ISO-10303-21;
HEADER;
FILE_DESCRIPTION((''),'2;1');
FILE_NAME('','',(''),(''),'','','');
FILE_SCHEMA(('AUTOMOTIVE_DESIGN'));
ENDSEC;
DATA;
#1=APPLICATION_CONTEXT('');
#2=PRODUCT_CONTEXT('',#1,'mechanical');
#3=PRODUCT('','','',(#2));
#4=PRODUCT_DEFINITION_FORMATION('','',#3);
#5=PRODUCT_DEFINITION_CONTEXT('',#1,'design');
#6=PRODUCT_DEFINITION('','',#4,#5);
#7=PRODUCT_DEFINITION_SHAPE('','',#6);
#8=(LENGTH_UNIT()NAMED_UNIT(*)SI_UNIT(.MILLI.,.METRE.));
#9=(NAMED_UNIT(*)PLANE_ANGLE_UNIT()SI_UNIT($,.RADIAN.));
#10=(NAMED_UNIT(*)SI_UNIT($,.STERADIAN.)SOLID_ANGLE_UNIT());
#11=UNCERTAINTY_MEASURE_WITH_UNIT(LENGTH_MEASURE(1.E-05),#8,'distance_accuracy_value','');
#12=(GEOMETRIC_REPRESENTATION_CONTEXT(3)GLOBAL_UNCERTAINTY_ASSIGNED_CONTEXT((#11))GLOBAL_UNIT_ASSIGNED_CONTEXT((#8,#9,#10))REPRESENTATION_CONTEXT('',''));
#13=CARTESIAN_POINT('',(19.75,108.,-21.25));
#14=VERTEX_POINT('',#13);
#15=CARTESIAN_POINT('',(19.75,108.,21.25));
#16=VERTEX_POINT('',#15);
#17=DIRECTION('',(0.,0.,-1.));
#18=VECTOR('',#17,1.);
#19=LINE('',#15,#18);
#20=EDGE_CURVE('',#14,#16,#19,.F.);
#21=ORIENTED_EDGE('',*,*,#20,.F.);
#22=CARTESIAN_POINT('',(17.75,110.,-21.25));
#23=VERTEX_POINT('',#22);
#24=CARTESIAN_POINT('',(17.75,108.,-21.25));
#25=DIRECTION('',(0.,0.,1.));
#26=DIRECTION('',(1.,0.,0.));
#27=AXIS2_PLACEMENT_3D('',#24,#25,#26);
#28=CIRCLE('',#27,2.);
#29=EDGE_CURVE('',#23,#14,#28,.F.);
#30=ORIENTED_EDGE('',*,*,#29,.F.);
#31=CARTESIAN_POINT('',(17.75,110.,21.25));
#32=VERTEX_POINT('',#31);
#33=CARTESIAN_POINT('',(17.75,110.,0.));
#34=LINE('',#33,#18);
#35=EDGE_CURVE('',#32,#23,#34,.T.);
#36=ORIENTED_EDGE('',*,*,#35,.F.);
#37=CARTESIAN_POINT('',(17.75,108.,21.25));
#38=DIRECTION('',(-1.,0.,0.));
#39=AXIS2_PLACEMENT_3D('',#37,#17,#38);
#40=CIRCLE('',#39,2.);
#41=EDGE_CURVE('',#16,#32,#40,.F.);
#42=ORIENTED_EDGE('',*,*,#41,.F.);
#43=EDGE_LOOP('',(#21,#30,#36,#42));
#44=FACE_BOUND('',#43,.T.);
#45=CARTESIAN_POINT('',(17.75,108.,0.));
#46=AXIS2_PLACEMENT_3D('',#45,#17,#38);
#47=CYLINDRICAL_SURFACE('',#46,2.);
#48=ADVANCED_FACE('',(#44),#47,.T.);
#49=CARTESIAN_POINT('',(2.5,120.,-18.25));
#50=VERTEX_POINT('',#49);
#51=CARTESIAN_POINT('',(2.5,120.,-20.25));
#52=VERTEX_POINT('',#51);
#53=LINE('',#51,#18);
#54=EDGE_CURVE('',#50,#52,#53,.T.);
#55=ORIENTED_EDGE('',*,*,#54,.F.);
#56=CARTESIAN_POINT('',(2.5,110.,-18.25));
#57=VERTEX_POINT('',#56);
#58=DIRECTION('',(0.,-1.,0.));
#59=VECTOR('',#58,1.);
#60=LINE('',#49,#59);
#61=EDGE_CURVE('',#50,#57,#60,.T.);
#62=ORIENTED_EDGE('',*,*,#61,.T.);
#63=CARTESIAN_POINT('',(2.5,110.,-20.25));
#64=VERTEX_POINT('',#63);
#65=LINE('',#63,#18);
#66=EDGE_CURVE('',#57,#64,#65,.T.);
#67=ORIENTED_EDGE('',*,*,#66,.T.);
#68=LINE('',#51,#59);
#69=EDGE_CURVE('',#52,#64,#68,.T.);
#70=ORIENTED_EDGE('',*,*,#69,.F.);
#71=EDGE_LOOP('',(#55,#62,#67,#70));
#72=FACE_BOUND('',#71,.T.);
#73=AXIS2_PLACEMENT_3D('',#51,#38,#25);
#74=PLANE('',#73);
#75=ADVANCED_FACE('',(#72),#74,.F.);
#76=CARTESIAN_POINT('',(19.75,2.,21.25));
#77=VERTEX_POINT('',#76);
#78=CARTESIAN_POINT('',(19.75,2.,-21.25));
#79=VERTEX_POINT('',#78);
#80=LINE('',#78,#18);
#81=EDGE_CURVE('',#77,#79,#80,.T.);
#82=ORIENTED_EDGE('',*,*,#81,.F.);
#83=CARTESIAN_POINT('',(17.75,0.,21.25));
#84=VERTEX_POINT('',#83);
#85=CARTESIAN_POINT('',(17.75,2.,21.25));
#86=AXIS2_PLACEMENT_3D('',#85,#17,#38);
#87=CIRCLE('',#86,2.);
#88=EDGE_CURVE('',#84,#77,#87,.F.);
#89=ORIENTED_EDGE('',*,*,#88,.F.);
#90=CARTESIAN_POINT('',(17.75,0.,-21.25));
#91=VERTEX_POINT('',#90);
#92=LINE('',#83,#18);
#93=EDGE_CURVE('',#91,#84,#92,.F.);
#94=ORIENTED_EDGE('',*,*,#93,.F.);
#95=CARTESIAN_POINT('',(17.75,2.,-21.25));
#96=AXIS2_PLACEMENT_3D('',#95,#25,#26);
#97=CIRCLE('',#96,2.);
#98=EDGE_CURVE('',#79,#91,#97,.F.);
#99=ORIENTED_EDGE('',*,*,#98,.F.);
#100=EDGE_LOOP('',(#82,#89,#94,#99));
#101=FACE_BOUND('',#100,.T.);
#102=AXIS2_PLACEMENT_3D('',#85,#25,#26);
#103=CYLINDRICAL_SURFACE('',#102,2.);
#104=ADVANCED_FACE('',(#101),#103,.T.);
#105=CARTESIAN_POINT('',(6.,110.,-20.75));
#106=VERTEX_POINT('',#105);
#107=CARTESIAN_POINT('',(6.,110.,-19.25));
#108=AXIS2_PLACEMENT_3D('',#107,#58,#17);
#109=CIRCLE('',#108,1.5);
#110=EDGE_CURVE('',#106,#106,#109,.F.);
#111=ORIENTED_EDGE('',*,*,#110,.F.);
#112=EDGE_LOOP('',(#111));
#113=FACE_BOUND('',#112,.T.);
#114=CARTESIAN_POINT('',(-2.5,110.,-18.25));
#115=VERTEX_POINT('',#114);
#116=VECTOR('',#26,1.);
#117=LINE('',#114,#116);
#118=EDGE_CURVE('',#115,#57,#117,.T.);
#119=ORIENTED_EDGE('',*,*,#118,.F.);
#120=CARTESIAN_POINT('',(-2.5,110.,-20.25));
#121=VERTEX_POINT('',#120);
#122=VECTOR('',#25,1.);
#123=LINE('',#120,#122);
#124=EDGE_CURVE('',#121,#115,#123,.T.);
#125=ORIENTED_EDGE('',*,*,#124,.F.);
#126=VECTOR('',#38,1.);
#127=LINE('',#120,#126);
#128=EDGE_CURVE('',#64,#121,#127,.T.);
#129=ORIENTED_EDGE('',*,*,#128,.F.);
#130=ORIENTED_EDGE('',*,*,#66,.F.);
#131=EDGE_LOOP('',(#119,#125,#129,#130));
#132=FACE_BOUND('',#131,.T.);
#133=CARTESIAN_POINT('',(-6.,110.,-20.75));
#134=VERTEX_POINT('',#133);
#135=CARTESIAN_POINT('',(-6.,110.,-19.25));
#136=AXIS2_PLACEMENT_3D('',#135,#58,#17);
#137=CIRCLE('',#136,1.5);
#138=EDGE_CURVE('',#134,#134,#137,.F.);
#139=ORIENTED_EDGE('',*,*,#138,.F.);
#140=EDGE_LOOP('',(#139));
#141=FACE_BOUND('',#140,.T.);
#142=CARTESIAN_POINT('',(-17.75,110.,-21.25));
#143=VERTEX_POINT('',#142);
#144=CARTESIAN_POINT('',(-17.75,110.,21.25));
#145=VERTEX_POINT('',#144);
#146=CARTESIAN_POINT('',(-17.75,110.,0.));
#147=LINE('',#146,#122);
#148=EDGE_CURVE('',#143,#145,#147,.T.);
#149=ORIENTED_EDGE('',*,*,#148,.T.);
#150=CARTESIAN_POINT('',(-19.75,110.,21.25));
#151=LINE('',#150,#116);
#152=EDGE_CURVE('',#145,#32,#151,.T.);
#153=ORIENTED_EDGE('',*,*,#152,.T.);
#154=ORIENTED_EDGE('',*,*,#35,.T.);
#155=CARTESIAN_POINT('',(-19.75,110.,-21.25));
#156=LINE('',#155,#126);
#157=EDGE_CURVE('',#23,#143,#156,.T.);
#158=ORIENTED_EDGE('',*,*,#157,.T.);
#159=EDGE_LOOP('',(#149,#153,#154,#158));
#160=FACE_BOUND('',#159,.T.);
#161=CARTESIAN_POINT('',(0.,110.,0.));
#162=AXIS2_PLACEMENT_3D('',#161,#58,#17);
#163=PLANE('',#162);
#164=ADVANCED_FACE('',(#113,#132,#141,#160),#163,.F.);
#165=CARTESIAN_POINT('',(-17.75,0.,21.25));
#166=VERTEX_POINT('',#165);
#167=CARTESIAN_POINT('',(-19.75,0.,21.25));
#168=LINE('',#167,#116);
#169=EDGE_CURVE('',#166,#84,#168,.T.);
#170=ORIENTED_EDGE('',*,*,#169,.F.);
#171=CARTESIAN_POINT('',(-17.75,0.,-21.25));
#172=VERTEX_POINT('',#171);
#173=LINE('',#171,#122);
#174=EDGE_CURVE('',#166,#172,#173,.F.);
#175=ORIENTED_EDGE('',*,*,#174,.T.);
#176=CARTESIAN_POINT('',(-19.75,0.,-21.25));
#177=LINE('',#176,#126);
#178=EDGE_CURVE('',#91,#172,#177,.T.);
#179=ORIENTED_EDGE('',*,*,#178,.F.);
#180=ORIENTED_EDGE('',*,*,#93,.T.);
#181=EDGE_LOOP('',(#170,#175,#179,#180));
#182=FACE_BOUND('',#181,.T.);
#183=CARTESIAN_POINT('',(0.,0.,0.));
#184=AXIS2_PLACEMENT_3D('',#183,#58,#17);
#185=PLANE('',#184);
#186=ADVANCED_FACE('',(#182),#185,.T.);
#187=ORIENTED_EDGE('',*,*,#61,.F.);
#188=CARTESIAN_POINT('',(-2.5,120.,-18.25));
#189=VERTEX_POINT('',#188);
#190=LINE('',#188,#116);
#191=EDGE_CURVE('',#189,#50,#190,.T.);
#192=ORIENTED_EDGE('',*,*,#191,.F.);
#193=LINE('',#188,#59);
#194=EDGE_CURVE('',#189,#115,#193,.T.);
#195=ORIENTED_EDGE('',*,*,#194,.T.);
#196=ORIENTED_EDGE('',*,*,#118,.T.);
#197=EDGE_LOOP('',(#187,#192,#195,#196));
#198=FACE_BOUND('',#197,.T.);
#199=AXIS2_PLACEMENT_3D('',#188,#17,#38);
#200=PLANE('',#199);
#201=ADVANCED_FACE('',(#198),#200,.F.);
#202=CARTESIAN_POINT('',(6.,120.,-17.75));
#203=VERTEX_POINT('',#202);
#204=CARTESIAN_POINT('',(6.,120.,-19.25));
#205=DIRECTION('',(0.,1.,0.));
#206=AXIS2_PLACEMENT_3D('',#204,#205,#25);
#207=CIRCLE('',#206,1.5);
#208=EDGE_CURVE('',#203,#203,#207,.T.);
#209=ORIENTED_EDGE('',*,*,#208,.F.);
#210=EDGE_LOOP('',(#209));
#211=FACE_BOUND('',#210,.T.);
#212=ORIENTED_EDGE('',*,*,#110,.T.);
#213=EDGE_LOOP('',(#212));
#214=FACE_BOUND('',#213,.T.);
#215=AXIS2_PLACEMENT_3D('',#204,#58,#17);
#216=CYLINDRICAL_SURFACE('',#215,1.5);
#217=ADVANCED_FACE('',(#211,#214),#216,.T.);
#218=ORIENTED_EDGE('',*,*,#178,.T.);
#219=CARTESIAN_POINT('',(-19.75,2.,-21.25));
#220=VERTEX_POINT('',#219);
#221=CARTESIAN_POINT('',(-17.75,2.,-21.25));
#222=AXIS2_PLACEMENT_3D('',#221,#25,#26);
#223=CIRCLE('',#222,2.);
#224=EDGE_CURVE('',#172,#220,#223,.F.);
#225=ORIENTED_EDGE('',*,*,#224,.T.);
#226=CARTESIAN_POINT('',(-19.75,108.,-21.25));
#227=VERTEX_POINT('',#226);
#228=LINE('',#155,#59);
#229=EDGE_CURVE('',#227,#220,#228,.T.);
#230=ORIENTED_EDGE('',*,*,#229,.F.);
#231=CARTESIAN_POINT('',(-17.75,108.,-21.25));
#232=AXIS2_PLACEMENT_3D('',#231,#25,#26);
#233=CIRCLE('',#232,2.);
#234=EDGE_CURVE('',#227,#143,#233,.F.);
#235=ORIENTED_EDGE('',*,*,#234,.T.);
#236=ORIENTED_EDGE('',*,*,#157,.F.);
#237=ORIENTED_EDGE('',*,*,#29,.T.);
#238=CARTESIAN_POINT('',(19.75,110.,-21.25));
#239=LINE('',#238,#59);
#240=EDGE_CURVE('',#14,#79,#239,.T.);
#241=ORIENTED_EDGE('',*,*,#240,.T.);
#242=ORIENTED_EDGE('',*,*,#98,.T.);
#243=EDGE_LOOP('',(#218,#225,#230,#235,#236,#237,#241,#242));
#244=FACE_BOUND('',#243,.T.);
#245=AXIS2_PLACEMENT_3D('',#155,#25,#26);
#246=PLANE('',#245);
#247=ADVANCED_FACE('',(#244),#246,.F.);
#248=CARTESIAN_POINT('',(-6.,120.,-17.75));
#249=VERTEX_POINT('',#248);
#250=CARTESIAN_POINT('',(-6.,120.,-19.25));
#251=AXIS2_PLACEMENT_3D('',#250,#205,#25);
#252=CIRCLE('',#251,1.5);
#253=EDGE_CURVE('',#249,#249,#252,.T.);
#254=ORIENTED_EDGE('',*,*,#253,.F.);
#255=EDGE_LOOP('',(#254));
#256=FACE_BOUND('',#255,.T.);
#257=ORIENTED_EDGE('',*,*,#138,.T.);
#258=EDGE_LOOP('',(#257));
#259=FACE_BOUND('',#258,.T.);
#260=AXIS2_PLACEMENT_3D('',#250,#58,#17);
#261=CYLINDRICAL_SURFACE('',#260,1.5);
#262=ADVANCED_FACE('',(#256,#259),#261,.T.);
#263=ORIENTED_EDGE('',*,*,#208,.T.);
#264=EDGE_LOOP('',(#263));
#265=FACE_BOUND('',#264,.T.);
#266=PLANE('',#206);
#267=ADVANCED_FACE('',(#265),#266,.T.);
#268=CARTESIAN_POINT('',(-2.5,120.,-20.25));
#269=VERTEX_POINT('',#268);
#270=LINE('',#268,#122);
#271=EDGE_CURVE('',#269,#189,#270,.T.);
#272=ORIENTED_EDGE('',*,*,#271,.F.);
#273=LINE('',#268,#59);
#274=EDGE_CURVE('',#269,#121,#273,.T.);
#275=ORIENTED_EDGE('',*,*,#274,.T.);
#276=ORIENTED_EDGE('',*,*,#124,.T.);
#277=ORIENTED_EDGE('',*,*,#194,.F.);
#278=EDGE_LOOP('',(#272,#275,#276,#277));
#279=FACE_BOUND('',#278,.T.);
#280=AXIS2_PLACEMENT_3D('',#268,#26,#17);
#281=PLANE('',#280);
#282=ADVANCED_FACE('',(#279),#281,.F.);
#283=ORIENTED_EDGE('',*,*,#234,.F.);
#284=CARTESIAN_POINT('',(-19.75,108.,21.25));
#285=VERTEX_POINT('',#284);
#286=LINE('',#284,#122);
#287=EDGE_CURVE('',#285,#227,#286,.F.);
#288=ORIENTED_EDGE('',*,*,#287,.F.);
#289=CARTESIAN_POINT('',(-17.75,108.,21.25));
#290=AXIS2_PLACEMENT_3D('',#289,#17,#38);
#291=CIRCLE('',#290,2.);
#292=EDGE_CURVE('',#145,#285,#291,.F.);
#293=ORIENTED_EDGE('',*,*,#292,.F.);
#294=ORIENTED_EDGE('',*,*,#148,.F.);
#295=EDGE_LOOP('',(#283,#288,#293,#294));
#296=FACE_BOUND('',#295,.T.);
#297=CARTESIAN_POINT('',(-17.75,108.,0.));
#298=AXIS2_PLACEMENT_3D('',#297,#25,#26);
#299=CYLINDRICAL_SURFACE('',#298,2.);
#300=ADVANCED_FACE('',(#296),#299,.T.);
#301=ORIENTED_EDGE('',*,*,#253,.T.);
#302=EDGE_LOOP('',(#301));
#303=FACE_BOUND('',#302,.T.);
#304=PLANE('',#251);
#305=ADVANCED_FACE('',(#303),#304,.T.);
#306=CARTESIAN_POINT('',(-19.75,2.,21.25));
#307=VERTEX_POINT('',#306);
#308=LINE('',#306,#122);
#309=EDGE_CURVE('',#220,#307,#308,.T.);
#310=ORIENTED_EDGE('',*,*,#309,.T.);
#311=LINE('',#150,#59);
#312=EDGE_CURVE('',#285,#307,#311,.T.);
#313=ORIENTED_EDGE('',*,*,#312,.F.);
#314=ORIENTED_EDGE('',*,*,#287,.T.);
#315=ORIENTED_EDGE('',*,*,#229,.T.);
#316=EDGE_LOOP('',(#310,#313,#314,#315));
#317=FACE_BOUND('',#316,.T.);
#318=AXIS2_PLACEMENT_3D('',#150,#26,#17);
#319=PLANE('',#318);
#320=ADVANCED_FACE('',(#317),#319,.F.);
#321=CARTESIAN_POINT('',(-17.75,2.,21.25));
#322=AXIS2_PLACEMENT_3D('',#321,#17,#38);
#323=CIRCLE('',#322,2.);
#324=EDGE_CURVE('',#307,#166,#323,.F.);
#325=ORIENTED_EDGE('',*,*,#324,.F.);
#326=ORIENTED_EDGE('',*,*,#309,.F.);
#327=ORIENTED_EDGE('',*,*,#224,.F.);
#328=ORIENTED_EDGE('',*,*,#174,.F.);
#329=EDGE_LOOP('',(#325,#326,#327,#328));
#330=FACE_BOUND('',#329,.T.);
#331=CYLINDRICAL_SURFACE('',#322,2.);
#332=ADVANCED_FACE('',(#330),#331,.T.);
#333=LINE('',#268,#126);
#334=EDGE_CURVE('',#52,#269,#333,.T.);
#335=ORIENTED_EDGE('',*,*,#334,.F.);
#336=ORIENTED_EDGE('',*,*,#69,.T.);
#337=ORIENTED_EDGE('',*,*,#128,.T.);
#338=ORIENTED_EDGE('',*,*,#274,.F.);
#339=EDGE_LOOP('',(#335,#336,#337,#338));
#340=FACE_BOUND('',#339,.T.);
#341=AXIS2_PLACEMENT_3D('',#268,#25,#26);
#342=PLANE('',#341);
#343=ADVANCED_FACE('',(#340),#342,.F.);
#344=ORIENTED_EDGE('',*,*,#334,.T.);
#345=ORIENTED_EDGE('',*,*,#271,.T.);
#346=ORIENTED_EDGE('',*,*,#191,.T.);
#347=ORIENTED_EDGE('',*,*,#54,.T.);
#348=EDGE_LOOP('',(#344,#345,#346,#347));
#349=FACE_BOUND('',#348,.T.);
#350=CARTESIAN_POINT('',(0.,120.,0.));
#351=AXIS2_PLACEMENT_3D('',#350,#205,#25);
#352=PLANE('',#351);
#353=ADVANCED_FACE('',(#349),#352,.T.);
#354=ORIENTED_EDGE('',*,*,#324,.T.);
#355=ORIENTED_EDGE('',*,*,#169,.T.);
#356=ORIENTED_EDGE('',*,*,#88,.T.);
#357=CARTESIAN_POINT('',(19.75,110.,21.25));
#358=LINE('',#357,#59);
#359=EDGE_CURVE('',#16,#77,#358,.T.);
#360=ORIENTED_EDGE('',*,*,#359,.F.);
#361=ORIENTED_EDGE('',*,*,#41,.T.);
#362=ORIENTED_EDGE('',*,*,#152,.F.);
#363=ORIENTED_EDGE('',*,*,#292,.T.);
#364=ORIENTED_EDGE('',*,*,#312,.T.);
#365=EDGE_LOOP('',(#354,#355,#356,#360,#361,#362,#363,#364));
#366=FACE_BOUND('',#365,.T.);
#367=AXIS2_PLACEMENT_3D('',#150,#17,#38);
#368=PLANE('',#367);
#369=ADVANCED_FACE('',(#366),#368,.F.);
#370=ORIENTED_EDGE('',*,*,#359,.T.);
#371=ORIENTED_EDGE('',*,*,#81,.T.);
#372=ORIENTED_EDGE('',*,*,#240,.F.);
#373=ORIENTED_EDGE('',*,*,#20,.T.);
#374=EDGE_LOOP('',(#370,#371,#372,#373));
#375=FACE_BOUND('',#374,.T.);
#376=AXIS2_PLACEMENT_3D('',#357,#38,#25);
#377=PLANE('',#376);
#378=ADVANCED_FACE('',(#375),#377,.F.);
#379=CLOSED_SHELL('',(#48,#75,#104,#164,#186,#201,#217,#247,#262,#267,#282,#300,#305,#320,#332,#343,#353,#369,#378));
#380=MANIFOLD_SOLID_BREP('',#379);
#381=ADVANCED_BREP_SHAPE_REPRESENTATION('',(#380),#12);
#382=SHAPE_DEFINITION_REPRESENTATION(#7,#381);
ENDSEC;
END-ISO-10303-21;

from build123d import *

# Parameters (mm, degrees)
SKETCH1_W           = 39.5
SKETCH1_H           = 42.5
BOSS_EXTRUDE1_DEPTH = 110
SKETCH2_R           = 1.5
SKETCH2_W           = 5
SKETCH2_H           = 2
BOSS_EXTRUDE2_DEPTH = 10
FILLET1_R           = 2


with BuildPart() as part:
    # Sketch1 → Boss-Extrude1 (new body)
    with BuildSketch(Plane(origin=(0, 0, 0), x_dir=(1, 0, 0), z_dir=(0, 1, 0))):
        Rectangle(SKETCH1_W, SKETCH1_H)
    extrude(amount=BOSS_EXTRUDE1_DEPTH)

    # Sketch2 → Boss-Extrude2 (add)
    with BuildSketch(Plane(origin=(0, 110, 0), x_dir=(1, 0, 0), z_dir=(0, 1, 0))):
        with Locations(Location((-6, 19.25, 0), (0, 0, 90))):
            Circle(SKETCH2_R)
        with Locations(Location((6, 19.25, 0), (0, 0, 90))):
            Circle(SKETCH2_R)
        with Locations((0, 19.25)):
            Rectangle(SKETCH2_W, SKETCH2_H)
    extrude(amount=BOSS_EXTRUDE2_DEPTH)

    # Fillet1
    fillet1_edges = [part.edges().sort_by_distance(p)[0] for p in [
        (-19.75, 110, 0),
        (19.75, 110, 0),
        (-19.75, 0, 0),
        (19.75, 0, 0),
    ]]
    fillet(fillet1_edges, radius=FILLET1_R)


solid = part.part
